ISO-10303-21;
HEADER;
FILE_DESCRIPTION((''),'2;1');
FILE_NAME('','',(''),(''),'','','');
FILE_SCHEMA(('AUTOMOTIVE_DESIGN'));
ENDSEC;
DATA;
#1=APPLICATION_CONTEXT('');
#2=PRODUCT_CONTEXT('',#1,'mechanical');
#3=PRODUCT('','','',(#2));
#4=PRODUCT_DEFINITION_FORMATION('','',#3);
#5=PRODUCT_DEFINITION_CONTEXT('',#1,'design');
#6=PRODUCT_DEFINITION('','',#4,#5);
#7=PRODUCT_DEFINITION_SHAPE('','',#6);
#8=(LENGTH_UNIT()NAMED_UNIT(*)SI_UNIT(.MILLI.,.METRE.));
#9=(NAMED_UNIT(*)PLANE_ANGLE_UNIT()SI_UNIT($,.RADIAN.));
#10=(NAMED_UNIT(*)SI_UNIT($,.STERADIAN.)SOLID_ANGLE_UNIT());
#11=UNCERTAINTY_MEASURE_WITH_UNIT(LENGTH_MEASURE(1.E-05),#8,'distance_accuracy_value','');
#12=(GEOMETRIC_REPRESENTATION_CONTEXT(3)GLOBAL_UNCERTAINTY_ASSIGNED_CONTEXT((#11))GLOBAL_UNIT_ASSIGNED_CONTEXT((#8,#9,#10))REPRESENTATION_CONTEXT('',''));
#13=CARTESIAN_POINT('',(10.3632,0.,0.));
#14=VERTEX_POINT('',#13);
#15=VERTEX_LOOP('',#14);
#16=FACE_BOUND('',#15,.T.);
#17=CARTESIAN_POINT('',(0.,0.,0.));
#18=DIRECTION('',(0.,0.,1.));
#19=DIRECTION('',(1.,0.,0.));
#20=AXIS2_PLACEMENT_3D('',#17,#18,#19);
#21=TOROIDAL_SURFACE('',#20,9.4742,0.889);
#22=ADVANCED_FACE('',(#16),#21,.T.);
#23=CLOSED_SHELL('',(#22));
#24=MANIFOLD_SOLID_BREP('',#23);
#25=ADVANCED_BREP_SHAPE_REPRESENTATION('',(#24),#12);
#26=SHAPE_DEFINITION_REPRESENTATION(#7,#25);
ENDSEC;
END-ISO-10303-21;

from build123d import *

# Parameters (mm, degrees)
SKETCH1_R = 0.889


with BuildPart() as part:
    # Sketch1 → Revolve1 (revolve)
    with BuildSketch(Plane(origin=(0, 0, 0), x_dir=(0, -1, 0), z_dir=(1, 0, 0))):
        with Locations((9.4742, 0)):
            Circle(SKETCH1_R)
    revolve(axis=Axis((0, 0, 0.889), (0, 0, -1)))


solid = part.part
